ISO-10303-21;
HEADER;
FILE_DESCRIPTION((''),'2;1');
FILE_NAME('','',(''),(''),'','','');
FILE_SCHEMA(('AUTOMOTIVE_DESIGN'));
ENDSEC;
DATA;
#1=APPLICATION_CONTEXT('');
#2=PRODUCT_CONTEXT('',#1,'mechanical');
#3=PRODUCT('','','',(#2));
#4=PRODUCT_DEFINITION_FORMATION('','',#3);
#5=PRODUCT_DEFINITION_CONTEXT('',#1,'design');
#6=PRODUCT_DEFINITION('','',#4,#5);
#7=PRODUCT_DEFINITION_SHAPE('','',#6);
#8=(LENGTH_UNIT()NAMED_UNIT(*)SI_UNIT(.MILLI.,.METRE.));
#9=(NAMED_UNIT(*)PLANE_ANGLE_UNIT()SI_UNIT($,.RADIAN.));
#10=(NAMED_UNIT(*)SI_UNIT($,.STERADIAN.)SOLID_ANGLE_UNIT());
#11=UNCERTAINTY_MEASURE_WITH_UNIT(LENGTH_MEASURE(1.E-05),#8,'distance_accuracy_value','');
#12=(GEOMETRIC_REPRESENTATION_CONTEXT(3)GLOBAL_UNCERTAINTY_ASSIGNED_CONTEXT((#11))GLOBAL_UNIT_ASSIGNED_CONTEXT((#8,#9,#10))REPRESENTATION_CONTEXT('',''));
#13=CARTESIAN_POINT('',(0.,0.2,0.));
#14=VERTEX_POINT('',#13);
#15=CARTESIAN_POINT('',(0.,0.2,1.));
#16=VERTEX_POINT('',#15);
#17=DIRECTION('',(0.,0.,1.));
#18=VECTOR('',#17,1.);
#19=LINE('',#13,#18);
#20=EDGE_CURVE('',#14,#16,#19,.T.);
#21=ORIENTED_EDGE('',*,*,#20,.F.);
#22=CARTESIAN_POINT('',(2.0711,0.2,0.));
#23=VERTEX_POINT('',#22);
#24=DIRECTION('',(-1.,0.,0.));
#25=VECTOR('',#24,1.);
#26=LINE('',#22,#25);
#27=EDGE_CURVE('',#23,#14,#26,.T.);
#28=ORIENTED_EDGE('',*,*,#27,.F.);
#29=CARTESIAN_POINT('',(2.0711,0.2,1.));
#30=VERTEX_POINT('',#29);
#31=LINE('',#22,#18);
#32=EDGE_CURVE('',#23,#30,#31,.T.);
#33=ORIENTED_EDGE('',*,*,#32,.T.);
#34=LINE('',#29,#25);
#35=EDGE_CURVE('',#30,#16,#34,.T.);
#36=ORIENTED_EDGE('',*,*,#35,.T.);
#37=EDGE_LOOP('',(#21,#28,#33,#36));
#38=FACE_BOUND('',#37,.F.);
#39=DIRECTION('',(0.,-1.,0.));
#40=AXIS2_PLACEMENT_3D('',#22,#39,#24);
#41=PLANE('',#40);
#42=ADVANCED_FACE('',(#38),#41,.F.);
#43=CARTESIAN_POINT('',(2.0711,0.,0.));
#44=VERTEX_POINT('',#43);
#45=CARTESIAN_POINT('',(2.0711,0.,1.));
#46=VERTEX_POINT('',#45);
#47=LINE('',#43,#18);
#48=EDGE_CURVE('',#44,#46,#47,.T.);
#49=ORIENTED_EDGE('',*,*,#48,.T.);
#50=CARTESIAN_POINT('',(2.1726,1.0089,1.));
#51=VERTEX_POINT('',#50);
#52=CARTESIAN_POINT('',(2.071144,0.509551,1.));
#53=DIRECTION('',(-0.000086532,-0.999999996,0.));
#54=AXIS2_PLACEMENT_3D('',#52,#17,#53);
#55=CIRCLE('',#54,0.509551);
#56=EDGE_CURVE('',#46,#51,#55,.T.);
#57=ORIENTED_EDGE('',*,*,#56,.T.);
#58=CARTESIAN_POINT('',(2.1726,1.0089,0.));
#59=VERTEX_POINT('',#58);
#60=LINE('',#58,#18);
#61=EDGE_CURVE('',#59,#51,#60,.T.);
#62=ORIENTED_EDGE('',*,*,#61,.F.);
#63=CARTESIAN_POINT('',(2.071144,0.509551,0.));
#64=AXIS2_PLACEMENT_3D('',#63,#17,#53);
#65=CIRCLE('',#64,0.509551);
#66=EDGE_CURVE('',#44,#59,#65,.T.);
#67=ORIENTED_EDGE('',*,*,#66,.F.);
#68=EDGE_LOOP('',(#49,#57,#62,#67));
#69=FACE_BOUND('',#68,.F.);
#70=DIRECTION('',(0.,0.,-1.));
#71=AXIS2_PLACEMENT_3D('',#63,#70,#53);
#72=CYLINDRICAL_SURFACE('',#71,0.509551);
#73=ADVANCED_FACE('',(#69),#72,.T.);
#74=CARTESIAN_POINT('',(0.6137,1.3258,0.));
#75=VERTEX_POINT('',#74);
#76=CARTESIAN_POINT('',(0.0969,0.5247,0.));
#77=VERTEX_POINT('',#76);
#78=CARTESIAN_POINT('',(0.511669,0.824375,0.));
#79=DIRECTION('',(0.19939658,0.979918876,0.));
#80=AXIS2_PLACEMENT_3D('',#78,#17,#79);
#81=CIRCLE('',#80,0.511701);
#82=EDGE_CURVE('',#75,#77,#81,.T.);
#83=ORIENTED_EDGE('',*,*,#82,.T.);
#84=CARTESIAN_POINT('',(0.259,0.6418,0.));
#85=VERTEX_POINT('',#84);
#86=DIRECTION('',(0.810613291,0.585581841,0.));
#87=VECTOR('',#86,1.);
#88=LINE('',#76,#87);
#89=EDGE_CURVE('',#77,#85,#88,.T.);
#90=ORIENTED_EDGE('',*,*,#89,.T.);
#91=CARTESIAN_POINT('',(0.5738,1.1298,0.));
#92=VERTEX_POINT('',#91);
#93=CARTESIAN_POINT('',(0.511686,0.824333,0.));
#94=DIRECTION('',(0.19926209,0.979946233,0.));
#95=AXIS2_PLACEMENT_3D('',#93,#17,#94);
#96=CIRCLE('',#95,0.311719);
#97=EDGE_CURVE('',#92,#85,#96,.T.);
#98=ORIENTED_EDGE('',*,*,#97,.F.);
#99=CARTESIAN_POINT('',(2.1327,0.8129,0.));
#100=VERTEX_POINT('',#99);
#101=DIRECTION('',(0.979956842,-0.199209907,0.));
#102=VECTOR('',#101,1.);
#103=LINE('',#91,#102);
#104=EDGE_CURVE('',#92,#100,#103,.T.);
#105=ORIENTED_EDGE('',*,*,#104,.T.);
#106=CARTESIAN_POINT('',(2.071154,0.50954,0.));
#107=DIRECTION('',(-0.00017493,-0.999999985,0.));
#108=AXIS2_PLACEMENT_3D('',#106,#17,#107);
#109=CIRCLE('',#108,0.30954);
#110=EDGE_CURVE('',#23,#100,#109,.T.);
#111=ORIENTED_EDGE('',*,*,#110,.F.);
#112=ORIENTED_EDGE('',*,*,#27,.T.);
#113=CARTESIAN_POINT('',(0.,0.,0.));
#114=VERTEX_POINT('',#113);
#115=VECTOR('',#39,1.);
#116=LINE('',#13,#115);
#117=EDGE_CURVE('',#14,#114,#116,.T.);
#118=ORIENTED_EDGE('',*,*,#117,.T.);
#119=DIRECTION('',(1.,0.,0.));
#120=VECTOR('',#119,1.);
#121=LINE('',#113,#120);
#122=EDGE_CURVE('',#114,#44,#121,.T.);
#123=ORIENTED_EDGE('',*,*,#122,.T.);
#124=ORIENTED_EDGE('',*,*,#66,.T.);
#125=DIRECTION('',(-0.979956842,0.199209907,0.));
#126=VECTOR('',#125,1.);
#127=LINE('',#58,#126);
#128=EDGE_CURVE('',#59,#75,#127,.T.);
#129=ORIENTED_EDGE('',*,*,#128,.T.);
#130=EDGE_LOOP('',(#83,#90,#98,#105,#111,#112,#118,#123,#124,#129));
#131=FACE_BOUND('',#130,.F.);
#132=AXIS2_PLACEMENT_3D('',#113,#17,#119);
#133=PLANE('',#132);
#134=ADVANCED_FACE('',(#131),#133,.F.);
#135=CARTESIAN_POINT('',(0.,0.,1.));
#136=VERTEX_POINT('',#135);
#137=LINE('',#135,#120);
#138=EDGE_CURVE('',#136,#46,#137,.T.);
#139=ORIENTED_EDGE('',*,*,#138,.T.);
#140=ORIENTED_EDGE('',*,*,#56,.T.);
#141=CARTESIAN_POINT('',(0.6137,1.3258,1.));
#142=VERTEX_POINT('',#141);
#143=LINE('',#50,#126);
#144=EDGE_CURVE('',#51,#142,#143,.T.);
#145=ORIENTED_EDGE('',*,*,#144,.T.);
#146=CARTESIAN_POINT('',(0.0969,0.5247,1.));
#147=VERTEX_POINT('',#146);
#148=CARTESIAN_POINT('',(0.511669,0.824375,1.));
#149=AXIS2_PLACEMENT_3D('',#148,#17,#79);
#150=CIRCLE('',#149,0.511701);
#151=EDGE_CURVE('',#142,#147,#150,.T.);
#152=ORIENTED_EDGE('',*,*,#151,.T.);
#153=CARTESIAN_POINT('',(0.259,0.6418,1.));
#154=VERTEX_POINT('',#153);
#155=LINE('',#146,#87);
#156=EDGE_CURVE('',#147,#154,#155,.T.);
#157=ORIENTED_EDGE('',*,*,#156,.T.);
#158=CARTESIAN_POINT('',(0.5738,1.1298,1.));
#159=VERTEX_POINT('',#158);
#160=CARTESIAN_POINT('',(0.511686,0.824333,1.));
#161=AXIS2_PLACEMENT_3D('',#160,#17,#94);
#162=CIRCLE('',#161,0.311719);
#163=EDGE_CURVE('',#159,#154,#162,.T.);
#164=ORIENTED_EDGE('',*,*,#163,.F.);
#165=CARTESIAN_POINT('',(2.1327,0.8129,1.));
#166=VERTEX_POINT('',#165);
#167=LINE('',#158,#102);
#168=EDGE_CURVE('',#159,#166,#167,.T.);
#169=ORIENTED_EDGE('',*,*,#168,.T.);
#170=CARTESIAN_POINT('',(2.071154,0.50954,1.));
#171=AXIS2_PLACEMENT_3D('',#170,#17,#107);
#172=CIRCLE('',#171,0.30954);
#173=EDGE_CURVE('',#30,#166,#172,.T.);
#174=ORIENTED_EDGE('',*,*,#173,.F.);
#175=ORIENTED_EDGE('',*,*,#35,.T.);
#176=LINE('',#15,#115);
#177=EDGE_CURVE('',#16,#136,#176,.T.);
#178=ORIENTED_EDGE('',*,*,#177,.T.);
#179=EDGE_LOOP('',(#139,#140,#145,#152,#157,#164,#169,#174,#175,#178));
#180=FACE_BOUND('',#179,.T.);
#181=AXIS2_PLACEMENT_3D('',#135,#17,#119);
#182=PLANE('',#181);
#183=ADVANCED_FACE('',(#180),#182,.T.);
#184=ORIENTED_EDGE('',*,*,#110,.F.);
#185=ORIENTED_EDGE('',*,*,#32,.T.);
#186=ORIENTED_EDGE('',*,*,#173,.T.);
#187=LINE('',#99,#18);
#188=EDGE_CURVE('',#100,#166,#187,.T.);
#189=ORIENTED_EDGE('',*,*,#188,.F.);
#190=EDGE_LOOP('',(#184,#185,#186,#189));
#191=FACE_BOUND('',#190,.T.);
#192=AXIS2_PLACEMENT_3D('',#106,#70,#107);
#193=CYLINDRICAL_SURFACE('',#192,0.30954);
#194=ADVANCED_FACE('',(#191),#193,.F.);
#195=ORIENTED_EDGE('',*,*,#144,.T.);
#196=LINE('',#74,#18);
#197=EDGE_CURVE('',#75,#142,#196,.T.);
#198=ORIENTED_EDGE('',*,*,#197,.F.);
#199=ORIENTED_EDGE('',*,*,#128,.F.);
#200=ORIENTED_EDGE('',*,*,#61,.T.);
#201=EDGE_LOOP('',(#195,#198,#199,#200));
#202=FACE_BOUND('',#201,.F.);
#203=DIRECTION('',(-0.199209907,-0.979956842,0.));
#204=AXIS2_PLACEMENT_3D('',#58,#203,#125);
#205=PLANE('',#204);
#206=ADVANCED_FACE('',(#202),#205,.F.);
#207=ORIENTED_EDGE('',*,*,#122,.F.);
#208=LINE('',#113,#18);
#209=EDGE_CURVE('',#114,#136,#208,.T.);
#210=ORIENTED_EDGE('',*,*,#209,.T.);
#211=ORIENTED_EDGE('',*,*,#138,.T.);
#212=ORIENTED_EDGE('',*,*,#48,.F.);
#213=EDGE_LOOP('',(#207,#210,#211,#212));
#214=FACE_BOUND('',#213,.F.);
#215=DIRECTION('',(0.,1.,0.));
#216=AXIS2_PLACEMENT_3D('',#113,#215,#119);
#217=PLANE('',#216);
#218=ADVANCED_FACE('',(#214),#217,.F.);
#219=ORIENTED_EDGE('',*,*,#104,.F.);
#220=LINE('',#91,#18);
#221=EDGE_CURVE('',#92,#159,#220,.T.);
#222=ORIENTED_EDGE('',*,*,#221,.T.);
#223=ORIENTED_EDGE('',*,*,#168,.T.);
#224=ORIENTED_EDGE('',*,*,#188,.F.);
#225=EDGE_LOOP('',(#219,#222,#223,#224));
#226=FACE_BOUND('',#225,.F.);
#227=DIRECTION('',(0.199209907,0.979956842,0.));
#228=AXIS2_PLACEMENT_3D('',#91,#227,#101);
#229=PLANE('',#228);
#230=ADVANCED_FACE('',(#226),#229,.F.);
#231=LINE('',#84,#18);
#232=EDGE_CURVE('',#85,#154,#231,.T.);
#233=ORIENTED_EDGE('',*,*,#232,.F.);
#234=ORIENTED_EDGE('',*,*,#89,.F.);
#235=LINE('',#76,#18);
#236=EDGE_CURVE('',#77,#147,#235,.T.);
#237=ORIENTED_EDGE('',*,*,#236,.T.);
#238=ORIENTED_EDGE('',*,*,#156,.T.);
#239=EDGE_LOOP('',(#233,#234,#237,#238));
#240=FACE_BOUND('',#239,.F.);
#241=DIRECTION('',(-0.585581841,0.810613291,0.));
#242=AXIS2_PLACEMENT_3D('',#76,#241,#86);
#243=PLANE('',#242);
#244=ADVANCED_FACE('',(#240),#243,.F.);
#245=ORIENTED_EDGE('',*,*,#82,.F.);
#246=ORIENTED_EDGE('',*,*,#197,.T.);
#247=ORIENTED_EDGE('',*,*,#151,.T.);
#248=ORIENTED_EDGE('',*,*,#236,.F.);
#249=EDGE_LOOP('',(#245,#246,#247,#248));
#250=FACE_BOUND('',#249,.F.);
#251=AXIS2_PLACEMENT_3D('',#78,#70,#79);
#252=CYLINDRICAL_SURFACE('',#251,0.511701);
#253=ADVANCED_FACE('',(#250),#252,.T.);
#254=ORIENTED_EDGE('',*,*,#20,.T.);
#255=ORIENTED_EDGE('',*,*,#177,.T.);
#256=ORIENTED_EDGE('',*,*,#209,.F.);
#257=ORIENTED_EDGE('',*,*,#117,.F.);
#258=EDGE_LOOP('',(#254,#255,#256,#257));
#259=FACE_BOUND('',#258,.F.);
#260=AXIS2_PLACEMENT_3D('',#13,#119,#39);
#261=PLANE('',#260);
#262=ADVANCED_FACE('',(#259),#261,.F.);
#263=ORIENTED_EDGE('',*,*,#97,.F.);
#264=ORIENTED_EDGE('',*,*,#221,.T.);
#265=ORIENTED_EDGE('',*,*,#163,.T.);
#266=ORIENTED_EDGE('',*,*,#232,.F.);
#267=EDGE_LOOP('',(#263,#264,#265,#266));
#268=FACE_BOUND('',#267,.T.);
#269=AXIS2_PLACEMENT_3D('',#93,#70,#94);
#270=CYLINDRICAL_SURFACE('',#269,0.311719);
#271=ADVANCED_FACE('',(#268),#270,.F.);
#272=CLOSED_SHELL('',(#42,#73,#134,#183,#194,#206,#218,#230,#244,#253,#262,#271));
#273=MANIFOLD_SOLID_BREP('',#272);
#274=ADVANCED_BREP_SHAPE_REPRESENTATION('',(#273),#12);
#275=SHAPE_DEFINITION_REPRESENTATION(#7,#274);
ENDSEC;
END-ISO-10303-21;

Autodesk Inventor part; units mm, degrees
ref_plane "YZ Plane" through (0, 0, 0) normal (1, 0, 0) x (0, 1, 0)
ref_plane "XZ Plane" through (0, 0, 0) normal (0, 1, 0) x (-1, 0, 0)
ref_plane "XY Plane" through (0, 0, 0) normal (0, 0, 1) x (1, 0, 0)
sketch "Skizze1" plane through (0, 0, 0) normal (0, 0, 1) x (1, 0, 0)
  line L0 (0, 0) -> (2.0711, 0)
  arc A0 (2.0711, 0) -> (2.1726, 1.0089) centre (2.0711, 0.5096) ccw
  line L1 (2.1726, 1.0089) -> (0.6137, 1.3258)
  arc A1 (0.6137, 1.3258) -> (0.0969, 0.5247) centre (0.5117, 0.8243) ccw
  arc A2 (0.5738, 1.1298) -> (0.259, 0.6418) centre (0.5117, 0.8243) ccw
  line L2 (0.5738, 1.1298) -> (2.1327, 0.8129)
  arc A3 (2.0711, 0.2) -> (2.1327, 0.8129) centre (2.0711, 0.5096) ccw
  line L3 (2.0711, 0.2) -> (0, 0.2)
  line L4 (0, 0.2) -> (0, 0)
  line L5 (0.0969, 0.5247) -> (0.259, 0.6418)
  point P0 (0.0806, 1.1)
  point P1 (2.5806, 0.5096)
  dimension "d0" = 0.2
  dimension "d1" = 1.1
  dimension "d2" = 2.5
extrude "Extrusion1" add sketch "Skizze1" along normal blind 1
properties part number "spring contact" material "Gold"
